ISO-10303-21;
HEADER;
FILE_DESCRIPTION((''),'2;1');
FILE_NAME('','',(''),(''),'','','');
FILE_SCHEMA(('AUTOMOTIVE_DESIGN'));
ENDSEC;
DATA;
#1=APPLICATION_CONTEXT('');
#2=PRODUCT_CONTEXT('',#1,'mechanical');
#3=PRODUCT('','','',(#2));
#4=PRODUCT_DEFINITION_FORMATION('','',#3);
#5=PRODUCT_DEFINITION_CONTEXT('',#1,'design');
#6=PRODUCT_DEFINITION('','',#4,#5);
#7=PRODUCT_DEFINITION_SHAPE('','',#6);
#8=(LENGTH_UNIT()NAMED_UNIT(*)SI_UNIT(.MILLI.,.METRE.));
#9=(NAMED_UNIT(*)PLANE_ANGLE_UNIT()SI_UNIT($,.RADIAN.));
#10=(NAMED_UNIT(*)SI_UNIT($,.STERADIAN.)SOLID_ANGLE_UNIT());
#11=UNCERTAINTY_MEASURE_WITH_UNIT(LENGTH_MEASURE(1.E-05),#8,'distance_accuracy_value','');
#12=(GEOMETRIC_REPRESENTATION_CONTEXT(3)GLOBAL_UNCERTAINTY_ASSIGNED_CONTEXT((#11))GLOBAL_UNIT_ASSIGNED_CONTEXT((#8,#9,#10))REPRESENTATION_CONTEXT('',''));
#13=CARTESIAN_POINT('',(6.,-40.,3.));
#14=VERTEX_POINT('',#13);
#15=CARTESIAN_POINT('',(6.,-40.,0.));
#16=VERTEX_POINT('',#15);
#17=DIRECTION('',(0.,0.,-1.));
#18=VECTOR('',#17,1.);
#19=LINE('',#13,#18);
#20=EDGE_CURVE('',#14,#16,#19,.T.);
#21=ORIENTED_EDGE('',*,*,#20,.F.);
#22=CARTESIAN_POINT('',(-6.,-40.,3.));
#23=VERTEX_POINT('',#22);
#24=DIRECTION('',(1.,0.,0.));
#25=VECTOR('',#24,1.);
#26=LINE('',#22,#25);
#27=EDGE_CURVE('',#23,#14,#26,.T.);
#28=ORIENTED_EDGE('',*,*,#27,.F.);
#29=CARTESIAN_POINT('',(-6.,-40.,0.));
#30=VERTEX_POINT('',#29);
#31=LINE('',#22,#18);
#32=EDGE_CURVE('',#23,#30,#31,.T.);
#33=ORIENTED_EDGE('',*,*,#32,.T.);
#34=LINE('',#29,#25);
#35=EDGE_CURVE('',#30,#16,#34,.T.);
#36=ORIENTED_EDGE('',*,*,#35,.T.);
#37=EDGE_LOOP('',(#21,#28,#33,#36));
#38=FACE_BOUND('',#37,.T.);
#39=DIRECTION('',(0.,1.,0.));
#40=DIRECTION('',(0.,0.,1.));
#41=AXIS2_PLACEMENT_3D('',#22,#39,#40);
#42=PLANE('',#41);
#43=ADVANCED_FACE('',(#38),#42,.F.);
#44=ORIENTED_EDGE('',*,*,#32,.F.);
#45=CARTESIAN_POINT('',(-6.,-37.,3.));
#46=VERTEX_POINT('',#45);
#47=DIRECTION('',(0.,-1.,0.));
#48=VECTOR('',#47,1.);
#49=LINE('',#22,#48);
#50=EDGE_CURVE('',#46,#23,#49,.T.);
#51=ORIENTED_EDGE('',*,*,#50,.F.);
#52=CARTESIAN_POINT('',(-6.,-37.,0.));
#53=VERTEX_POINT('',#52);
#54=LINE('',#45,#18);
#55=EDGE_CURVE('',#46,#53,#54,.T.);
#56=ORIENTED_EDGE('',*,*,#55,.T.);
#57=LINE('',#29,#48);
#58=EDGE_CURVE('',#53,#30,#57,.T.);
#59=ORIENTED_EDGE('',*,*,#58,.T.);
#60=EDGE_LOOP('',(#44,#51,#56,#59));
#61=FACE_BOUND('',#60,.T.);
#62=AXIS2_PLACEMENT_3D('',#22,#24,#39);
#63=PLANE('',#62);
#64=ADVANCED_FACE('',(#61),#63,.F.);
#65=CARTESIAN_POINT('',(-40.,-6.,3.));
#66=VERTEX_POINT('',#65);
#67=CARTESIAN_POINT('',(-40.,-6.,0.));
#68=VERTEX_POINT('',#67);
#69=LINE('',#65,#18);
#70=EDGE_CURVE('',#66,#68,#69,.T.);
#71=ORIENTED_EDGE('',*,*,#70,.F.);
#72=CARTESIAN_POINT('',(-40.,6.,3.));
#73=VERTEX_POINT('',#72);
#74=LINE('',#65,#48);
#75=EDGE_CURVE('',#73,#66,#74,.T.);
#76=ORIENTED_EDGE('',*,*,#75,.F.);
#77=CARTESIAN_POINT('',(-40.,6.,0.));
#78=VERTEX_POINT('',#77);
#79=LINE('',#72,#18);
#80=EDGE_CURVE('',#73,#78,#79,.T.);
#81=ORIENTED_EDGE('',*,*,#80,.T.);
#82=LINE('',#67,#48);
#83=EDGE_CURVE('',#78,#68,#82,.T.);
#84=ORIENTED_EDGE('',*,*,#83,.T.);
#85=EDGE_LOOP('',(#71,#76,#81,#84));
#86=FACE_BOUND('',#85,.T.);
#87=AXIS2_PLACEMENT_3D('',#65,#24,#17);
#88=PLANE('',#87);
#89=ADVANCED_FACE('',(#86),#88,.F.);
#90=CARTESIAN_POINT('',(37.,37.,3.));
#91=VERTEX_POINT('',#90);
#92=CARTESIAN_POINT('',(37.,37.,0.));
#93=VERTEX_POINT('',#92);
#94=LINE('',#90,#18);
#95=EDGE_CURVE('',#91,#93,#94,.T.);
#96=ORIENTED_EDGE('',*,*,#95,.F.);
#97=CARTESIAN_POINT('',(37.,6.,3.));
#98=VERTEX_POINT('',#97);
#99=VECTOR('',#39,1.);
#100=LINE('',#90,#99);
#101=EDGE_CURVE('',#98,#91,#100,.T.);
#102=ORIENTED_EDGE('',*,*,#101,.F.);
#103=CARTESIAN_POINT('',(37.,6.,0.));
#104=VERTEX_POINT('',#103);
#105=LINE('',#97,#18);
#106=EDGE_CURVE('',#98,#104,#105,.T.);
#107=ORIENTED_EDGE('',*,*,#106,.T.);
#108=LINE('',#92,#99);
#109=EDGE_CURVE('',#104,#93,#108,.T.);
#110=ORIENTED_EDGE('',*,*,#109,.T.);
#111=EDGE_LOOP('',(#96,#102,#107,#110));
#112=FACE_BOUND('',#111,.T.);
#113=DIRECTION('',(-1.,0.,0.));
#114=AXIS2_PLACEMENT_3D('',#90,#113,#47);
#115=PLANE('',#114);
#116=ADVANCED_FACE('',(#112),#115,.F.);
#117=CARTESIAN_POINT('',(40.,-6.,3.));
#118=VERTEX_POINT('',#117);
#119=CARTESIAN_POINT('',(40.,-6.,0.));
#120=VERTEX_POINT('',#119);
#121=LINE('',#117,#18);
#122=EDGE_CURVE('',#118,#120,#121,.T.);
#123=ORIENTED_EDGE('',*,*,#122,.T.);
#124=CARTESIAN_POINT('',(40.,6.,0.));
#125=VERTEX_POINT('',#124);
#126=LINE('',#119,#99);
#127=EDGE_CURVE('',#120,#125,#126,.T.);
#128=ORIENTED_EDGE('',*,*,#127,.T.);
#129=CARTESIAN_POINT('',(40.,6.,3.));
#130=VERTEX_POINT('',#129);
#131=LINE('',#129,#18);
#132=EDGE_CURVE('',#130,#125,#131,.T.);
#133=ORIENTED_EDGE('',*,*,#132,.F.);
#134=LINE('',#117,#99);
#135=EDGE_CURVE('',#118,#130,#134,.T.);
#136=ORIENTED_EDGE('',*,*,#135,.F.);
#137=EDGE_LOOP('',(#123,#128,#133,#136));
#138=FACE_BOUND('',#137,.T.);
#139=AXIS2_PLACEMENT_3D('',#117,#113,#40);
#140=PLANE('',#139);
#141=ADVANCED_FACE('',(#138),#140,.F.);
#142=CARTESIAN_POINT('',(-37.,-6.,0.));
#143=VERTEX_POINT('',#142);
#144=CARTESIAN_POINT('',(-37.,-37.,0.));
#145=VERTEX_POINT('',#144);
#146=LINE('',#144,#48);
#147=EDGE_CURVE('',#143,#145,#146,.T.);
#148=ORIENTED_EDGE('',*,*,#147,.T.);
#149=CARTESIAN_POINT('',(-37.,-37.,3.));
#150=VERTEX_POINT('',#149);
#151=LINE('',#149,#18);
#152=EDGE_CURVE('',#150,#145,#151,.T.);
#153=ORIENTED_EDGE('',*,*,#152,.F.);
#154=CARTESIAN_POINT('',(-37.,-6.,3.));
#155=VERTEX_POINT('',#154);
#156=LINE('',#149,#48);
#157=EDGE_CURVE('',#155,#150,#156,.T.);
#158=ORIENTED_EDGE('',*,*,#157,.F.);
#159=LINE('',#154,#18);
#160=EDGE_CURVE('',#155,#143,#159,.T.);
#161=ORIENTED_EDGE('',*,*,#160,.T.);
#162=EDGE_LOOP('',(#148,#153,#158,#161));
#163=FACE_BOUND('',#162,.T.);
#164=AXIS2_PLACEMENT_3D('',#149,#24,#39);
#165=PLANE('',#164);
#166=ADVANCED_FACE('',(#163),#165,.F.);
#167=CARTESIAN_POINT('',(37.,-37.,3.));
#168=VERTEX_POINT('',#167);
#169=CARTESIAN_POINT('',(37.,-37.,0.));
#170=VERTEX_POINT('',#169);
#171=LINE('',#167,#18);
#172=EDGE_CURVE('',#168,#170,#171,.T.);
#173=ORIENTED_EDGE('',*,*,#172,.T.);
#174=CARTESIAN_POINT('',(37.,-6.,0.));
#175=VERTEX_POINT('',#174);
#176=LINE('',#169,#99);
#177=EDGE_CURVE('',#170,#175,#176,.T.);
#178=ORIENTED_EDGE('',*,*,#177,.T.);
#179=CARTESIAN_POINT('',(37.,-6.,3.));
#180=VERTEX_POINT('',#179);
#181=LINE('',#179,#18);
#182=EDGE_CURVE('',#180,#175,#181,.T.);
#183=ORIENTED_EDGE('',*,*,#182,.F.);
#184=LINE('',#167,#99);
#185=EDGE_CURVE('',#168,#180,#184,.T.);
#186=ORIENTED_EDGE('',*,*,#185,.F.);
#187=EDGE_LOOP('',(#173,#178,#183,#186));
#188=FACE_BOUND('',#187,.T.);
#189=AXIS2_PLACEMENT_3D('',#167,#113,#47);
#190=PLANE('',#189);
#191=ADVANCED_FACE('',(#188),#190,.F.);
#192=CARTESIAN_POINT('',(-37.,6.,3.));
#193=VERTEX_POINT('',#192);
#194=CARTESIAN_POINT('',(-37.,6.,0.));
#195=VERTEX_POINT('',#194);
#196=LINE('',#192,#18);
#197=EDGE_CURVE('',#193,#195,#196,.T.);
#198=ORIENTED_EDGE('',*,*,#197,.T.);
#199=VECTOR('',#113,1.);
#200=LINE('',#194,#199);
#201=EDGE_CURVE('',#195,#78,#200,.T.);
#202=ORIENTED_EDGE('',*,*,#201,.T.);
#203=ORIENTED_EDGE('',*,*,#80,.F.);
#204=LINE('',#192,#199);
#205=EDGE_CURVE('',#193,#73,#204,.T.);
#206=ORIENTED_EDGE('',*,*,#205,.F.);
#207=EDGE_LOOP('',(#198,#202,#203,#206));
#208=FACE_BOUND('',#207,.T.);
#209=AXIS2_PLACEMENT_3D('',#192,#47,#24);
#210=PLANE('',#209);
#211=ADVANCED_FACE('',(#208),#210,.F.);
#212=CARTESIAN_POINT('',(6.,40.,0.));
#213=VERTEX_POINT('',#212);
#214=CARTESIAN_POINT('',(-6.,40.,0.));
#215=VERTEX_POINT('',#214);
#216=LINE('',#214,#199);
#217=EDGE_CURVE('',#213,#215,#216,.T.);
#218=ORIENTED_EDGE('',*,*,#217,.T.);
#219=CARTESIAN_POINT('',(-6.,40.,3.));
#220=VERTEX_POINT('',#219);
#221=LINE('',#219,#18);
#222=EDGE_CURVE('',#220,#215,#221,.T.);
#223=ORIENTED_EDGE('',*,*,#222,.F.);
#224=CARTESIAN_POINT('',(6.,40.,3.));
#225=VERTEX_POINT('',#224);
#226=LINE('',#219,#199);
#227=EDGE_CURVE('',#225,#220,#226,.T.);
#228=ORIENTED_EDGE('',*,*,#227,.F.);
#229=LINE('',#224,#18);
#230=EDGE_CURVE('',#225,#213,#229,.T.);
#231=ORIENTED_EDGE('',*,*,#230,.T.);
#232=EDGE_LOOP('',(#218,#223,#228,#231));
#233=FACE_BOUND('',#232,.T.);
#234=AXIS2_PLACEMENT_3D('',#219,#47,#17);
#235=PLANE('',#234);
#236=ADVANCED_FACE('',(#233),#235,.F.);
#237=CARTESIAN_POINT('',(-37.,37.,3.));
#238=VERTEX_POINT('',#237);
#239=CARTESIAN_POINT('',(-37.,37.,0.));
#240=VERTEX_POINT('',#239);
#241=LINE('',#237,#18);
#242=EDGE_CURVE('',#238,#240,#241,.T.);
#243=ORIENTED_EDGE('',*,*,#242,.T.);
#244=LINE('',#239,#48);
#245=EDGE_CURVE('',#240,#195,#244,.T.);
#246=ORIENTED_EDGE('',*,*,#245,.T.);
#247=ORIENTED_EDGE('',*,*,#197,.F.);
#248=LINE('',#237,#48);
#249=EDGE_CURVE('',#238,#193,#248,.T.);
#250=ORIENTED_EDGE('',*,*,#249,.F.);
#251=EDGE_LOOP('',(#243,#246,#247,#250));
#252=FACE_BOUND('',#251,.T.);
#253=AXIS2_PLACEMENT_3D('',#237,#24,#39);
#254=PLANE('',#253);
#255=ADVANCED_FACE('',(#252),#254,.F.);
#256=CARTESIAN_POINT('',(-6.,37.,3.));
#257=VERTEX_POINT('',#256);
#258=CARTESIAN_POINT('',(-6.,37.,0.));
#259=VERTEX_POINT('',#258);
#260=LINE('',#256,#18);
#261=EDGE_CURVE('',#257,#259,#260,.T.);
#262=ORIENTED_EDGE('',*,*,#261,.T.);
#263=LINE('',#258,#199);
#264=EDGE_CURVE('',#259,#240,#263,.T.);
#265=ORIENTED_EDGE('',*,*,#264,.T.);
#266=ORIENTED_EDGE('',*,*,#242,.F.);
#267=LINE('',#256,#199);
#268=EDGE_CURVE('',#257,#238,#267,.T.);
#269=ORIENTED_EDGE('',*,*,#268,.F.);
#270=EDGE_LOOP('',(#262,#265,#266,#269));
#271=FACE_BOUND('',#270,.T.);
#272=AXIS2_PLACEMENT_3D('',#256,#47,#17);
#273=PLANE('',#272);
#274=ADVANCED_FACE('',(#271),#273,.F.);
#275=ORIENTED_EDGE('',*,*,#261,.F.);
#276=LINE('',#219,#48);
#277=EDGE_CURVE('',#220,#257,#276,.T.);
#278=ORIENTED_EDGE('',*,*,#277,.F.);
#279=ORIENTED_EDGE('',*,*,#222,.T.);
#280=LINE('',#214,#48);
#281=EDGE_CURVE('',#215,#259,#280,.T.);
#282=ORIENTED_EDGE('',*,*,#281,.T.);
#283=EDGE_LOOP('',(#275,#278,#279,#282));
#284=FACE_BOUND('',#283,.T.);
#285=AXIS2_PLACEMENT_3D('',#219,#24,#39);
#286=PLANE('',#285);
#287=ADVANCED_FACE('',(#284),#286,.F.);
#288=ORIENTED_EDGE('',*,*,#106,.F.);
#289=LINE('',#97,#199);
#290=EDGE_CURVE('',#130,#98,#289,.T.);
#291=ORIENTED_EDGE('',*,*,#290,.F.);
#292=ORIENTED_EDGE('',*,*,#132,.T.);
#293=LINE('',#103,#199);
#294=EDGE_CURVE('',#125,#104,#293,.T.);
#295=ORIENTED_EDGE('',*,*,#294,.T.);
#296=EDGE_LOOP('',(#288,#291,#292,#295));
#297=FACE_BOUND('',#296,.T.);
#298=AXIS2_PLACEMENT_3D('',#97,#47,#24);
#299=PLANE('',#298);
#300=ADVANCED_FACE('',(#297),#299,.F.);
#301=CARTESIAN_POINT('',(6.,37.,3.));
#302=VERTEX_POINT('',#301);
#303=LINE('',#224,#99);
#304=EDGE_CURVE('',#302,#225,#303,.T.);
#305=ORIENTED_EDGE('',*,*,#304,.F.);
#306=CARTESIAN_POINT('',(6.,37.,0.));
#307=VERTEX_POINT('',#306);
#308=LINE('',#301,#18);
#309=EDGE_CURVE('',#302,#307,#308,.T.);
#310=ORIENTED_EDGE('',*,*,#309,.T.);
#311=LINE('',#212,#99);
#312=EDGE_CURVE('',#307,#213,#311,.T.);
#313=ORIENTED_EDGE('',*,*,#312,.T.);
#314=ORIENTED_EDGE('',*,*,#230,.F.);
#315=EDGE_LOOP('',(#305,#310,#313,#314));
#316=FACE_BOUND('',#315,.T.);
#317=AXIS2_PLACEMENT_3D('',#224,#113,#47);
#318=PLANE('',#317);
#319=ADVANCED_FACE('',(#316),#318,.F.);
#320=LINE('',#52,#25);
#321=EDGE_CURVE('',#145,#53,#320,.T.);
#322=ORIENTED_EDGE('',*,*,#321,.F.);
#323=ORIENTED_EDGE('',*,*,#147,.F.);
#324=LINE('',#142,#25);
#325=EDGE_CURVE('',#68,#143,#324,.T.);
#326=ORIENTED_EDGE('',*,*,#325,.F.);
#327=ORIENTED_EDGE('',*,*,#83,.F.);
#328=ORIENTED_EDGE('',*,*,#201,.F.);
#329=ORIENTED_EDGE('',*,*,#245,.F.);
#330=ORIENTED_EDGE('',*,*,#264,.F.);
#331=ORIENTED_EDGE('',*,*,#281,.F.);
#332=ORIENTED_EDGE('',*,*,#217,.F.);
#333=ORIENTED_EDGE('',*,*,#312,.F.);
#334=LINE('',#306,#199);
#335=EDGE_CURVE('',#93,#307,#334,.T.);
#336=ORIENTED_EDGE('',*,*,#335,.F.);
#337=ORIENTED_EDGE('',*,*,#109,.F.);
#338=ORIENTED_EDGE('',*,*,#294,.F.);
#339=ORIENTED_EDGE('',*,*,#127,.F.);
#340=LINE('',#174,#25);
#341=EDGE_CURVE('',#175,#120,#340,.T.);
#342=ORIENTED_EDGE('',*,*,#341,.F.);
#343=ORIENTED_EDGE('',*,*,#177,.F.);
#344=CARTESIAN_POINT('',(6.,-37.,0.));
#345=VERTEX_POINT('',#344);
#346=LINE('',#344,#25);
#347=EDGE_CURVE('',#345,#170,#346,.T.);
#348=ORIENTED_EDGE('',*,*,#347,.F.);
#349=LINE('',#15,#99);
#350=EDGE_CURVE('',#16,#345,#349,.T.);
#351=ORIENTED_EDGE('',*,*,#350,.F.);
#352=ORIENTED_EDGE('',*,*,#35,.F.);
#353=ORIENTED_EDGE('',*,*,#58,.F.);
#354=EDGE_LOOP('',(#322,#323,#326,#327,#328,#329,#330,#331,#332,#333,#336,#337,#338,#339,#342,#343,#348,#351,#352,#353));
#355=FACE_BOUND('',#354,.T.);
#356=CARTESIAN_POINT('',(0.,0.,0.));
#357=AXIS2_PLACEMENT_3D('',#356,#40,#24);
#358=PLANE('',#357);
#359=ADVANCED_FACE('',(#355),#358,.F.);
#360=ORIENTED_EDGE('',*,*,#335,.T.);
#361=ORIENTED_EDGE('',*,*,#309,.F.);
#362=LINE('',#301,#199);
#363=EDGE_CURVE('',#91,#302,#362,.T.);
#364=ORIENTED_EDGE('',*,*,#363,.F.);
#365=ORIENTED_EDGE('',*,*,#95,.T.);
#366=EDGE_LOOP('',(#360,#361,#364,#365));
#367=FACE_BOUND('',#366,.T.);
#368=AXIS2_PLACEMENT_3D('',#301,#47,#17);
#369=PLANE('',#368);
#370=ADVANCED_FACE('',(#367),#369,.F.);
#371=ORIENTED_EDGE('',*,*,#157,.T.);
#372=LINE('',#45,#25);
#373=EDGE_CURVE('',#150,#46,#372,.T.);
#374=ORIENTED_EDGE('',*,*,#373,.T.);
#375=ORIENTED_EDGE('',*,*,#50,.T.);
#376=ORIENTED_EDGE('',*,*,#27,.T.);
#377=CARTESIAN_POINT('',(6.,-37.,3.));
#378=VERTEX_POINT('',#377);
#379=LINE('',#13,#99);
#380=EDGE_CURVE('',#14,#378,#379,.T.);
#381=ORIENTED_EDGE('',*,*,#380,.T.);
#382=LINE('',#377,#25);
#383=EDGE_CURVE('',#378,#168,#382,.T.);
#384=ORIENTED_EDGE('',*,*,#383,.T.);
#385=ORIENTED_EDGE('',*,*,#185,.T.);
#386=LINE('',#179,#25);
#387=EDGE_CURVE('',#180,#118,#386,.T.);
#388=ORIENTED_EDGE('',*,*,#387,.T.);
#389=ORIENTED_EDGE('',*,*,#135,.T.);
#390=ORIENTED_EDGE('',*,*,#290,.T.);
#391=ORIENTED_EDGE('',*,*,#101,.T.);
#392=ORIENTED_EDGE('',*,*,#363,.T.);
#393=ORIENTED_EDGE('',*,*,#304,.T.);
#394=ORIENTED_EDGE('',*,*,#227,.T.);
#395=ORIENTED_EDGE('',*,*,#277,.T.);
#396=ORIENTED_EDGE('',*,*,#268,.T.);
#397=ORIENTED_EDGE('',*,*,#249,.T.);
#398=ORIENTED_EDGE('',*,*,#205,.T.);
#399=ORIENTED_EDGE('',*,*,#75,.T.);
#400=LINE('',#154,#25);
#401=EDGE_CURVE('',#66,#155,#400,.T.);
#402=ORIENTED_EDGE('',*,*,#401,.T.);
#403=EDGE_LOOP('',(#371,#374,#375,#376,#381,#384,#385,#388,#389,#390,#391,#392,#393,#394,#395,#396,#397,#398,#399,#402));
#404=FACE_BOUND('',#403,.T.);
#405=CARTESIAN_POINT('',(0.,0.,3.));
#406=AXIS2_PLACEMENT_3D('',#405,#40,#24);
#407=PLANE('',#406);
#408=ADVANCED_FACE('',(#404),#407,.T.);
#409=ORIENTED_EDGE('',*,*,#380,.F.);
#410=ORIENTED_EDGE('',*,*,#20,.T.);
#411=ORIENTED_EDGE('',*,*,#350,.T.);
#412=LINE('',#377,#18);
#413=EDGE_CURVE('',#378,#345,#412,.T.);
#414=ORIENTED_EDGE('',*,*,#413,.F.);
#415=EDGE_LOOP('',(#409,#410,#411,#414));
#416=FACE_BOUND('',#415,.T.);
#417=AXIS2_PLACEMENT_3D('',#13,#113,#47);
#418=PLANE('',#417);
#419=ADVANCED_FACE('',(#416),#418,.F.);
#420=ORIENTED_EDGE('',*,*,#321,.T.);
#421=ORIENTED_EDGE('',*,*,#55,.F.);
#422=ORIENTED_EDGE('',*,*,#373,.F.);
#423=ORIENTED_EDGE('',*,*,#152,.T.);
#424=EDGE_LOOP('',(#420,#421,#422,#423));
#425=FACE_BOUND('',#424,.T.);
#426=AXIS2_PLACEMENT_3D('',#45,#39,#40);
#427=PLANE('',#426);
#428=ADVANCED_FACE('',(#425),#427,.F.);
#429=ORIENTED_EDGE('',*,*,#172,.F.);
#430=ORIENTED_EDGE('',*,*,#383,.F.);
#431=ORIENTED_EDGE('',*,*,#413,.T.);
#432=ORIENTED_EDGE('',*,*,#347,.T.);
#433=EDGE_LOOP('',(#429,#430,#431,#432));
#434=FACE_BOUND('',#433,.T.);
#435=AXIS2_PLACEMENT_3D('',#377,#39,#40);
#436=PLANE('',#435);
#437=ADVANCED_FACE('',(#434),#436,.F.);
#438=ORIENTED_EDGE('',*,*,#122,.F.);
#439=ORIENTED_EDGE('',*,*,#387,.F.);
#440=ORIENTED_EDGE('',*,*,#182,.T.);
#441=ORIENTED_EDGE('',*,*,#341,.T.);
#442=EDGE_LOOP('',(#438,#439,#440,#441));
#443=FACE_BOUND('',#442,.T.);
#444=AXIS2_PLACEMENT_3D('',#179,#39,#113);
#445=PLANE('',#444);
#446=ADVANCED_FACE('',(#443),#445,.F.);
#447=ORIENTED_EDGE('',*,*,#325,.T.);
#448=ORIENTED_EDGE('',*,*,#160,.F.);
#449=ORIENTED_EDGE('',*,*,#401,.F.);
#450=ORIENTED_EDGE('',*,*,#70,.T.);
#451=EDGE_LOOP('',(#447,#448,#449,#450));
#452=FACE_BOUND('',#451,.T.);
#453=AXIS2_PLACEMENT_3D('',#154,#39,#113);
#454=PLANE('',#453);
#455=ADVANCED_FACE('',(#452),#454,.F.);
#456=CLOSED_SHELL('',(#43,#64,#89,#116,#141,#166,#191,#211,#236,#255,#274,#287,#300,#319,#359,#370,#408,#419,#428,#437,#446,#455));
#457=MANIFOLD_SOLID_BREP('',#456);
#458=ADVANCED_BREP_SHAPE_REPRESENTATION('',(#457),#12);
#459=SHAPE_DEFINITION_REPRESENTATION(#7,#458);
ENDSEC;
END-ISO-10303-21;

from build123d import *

# Parameters (mm, degrees)
BOSS_EXTRU_1_DEPTH = 3


with BuildPart() as part:
    # Esquisse1 → Boss.-Extru.1 (new body)
    with BuildSketch(Plane.XY):
        Polygon((6, 37), (37, 37), (37, 6), (40, 6), (40, -6), (37, -6), (37, -37), (6, -37), (6, -40), (-6, -40), (-6, -37), (-37, -37), (-37, -6), (-40, -6), (-40, 6), (-37, 6), (-37, 37), (-6, 37), (-6, 40), (6, 40), align=None)
    extrude(amount=BOSS_EXTRU_1_DEPTH)


solid = part.part
